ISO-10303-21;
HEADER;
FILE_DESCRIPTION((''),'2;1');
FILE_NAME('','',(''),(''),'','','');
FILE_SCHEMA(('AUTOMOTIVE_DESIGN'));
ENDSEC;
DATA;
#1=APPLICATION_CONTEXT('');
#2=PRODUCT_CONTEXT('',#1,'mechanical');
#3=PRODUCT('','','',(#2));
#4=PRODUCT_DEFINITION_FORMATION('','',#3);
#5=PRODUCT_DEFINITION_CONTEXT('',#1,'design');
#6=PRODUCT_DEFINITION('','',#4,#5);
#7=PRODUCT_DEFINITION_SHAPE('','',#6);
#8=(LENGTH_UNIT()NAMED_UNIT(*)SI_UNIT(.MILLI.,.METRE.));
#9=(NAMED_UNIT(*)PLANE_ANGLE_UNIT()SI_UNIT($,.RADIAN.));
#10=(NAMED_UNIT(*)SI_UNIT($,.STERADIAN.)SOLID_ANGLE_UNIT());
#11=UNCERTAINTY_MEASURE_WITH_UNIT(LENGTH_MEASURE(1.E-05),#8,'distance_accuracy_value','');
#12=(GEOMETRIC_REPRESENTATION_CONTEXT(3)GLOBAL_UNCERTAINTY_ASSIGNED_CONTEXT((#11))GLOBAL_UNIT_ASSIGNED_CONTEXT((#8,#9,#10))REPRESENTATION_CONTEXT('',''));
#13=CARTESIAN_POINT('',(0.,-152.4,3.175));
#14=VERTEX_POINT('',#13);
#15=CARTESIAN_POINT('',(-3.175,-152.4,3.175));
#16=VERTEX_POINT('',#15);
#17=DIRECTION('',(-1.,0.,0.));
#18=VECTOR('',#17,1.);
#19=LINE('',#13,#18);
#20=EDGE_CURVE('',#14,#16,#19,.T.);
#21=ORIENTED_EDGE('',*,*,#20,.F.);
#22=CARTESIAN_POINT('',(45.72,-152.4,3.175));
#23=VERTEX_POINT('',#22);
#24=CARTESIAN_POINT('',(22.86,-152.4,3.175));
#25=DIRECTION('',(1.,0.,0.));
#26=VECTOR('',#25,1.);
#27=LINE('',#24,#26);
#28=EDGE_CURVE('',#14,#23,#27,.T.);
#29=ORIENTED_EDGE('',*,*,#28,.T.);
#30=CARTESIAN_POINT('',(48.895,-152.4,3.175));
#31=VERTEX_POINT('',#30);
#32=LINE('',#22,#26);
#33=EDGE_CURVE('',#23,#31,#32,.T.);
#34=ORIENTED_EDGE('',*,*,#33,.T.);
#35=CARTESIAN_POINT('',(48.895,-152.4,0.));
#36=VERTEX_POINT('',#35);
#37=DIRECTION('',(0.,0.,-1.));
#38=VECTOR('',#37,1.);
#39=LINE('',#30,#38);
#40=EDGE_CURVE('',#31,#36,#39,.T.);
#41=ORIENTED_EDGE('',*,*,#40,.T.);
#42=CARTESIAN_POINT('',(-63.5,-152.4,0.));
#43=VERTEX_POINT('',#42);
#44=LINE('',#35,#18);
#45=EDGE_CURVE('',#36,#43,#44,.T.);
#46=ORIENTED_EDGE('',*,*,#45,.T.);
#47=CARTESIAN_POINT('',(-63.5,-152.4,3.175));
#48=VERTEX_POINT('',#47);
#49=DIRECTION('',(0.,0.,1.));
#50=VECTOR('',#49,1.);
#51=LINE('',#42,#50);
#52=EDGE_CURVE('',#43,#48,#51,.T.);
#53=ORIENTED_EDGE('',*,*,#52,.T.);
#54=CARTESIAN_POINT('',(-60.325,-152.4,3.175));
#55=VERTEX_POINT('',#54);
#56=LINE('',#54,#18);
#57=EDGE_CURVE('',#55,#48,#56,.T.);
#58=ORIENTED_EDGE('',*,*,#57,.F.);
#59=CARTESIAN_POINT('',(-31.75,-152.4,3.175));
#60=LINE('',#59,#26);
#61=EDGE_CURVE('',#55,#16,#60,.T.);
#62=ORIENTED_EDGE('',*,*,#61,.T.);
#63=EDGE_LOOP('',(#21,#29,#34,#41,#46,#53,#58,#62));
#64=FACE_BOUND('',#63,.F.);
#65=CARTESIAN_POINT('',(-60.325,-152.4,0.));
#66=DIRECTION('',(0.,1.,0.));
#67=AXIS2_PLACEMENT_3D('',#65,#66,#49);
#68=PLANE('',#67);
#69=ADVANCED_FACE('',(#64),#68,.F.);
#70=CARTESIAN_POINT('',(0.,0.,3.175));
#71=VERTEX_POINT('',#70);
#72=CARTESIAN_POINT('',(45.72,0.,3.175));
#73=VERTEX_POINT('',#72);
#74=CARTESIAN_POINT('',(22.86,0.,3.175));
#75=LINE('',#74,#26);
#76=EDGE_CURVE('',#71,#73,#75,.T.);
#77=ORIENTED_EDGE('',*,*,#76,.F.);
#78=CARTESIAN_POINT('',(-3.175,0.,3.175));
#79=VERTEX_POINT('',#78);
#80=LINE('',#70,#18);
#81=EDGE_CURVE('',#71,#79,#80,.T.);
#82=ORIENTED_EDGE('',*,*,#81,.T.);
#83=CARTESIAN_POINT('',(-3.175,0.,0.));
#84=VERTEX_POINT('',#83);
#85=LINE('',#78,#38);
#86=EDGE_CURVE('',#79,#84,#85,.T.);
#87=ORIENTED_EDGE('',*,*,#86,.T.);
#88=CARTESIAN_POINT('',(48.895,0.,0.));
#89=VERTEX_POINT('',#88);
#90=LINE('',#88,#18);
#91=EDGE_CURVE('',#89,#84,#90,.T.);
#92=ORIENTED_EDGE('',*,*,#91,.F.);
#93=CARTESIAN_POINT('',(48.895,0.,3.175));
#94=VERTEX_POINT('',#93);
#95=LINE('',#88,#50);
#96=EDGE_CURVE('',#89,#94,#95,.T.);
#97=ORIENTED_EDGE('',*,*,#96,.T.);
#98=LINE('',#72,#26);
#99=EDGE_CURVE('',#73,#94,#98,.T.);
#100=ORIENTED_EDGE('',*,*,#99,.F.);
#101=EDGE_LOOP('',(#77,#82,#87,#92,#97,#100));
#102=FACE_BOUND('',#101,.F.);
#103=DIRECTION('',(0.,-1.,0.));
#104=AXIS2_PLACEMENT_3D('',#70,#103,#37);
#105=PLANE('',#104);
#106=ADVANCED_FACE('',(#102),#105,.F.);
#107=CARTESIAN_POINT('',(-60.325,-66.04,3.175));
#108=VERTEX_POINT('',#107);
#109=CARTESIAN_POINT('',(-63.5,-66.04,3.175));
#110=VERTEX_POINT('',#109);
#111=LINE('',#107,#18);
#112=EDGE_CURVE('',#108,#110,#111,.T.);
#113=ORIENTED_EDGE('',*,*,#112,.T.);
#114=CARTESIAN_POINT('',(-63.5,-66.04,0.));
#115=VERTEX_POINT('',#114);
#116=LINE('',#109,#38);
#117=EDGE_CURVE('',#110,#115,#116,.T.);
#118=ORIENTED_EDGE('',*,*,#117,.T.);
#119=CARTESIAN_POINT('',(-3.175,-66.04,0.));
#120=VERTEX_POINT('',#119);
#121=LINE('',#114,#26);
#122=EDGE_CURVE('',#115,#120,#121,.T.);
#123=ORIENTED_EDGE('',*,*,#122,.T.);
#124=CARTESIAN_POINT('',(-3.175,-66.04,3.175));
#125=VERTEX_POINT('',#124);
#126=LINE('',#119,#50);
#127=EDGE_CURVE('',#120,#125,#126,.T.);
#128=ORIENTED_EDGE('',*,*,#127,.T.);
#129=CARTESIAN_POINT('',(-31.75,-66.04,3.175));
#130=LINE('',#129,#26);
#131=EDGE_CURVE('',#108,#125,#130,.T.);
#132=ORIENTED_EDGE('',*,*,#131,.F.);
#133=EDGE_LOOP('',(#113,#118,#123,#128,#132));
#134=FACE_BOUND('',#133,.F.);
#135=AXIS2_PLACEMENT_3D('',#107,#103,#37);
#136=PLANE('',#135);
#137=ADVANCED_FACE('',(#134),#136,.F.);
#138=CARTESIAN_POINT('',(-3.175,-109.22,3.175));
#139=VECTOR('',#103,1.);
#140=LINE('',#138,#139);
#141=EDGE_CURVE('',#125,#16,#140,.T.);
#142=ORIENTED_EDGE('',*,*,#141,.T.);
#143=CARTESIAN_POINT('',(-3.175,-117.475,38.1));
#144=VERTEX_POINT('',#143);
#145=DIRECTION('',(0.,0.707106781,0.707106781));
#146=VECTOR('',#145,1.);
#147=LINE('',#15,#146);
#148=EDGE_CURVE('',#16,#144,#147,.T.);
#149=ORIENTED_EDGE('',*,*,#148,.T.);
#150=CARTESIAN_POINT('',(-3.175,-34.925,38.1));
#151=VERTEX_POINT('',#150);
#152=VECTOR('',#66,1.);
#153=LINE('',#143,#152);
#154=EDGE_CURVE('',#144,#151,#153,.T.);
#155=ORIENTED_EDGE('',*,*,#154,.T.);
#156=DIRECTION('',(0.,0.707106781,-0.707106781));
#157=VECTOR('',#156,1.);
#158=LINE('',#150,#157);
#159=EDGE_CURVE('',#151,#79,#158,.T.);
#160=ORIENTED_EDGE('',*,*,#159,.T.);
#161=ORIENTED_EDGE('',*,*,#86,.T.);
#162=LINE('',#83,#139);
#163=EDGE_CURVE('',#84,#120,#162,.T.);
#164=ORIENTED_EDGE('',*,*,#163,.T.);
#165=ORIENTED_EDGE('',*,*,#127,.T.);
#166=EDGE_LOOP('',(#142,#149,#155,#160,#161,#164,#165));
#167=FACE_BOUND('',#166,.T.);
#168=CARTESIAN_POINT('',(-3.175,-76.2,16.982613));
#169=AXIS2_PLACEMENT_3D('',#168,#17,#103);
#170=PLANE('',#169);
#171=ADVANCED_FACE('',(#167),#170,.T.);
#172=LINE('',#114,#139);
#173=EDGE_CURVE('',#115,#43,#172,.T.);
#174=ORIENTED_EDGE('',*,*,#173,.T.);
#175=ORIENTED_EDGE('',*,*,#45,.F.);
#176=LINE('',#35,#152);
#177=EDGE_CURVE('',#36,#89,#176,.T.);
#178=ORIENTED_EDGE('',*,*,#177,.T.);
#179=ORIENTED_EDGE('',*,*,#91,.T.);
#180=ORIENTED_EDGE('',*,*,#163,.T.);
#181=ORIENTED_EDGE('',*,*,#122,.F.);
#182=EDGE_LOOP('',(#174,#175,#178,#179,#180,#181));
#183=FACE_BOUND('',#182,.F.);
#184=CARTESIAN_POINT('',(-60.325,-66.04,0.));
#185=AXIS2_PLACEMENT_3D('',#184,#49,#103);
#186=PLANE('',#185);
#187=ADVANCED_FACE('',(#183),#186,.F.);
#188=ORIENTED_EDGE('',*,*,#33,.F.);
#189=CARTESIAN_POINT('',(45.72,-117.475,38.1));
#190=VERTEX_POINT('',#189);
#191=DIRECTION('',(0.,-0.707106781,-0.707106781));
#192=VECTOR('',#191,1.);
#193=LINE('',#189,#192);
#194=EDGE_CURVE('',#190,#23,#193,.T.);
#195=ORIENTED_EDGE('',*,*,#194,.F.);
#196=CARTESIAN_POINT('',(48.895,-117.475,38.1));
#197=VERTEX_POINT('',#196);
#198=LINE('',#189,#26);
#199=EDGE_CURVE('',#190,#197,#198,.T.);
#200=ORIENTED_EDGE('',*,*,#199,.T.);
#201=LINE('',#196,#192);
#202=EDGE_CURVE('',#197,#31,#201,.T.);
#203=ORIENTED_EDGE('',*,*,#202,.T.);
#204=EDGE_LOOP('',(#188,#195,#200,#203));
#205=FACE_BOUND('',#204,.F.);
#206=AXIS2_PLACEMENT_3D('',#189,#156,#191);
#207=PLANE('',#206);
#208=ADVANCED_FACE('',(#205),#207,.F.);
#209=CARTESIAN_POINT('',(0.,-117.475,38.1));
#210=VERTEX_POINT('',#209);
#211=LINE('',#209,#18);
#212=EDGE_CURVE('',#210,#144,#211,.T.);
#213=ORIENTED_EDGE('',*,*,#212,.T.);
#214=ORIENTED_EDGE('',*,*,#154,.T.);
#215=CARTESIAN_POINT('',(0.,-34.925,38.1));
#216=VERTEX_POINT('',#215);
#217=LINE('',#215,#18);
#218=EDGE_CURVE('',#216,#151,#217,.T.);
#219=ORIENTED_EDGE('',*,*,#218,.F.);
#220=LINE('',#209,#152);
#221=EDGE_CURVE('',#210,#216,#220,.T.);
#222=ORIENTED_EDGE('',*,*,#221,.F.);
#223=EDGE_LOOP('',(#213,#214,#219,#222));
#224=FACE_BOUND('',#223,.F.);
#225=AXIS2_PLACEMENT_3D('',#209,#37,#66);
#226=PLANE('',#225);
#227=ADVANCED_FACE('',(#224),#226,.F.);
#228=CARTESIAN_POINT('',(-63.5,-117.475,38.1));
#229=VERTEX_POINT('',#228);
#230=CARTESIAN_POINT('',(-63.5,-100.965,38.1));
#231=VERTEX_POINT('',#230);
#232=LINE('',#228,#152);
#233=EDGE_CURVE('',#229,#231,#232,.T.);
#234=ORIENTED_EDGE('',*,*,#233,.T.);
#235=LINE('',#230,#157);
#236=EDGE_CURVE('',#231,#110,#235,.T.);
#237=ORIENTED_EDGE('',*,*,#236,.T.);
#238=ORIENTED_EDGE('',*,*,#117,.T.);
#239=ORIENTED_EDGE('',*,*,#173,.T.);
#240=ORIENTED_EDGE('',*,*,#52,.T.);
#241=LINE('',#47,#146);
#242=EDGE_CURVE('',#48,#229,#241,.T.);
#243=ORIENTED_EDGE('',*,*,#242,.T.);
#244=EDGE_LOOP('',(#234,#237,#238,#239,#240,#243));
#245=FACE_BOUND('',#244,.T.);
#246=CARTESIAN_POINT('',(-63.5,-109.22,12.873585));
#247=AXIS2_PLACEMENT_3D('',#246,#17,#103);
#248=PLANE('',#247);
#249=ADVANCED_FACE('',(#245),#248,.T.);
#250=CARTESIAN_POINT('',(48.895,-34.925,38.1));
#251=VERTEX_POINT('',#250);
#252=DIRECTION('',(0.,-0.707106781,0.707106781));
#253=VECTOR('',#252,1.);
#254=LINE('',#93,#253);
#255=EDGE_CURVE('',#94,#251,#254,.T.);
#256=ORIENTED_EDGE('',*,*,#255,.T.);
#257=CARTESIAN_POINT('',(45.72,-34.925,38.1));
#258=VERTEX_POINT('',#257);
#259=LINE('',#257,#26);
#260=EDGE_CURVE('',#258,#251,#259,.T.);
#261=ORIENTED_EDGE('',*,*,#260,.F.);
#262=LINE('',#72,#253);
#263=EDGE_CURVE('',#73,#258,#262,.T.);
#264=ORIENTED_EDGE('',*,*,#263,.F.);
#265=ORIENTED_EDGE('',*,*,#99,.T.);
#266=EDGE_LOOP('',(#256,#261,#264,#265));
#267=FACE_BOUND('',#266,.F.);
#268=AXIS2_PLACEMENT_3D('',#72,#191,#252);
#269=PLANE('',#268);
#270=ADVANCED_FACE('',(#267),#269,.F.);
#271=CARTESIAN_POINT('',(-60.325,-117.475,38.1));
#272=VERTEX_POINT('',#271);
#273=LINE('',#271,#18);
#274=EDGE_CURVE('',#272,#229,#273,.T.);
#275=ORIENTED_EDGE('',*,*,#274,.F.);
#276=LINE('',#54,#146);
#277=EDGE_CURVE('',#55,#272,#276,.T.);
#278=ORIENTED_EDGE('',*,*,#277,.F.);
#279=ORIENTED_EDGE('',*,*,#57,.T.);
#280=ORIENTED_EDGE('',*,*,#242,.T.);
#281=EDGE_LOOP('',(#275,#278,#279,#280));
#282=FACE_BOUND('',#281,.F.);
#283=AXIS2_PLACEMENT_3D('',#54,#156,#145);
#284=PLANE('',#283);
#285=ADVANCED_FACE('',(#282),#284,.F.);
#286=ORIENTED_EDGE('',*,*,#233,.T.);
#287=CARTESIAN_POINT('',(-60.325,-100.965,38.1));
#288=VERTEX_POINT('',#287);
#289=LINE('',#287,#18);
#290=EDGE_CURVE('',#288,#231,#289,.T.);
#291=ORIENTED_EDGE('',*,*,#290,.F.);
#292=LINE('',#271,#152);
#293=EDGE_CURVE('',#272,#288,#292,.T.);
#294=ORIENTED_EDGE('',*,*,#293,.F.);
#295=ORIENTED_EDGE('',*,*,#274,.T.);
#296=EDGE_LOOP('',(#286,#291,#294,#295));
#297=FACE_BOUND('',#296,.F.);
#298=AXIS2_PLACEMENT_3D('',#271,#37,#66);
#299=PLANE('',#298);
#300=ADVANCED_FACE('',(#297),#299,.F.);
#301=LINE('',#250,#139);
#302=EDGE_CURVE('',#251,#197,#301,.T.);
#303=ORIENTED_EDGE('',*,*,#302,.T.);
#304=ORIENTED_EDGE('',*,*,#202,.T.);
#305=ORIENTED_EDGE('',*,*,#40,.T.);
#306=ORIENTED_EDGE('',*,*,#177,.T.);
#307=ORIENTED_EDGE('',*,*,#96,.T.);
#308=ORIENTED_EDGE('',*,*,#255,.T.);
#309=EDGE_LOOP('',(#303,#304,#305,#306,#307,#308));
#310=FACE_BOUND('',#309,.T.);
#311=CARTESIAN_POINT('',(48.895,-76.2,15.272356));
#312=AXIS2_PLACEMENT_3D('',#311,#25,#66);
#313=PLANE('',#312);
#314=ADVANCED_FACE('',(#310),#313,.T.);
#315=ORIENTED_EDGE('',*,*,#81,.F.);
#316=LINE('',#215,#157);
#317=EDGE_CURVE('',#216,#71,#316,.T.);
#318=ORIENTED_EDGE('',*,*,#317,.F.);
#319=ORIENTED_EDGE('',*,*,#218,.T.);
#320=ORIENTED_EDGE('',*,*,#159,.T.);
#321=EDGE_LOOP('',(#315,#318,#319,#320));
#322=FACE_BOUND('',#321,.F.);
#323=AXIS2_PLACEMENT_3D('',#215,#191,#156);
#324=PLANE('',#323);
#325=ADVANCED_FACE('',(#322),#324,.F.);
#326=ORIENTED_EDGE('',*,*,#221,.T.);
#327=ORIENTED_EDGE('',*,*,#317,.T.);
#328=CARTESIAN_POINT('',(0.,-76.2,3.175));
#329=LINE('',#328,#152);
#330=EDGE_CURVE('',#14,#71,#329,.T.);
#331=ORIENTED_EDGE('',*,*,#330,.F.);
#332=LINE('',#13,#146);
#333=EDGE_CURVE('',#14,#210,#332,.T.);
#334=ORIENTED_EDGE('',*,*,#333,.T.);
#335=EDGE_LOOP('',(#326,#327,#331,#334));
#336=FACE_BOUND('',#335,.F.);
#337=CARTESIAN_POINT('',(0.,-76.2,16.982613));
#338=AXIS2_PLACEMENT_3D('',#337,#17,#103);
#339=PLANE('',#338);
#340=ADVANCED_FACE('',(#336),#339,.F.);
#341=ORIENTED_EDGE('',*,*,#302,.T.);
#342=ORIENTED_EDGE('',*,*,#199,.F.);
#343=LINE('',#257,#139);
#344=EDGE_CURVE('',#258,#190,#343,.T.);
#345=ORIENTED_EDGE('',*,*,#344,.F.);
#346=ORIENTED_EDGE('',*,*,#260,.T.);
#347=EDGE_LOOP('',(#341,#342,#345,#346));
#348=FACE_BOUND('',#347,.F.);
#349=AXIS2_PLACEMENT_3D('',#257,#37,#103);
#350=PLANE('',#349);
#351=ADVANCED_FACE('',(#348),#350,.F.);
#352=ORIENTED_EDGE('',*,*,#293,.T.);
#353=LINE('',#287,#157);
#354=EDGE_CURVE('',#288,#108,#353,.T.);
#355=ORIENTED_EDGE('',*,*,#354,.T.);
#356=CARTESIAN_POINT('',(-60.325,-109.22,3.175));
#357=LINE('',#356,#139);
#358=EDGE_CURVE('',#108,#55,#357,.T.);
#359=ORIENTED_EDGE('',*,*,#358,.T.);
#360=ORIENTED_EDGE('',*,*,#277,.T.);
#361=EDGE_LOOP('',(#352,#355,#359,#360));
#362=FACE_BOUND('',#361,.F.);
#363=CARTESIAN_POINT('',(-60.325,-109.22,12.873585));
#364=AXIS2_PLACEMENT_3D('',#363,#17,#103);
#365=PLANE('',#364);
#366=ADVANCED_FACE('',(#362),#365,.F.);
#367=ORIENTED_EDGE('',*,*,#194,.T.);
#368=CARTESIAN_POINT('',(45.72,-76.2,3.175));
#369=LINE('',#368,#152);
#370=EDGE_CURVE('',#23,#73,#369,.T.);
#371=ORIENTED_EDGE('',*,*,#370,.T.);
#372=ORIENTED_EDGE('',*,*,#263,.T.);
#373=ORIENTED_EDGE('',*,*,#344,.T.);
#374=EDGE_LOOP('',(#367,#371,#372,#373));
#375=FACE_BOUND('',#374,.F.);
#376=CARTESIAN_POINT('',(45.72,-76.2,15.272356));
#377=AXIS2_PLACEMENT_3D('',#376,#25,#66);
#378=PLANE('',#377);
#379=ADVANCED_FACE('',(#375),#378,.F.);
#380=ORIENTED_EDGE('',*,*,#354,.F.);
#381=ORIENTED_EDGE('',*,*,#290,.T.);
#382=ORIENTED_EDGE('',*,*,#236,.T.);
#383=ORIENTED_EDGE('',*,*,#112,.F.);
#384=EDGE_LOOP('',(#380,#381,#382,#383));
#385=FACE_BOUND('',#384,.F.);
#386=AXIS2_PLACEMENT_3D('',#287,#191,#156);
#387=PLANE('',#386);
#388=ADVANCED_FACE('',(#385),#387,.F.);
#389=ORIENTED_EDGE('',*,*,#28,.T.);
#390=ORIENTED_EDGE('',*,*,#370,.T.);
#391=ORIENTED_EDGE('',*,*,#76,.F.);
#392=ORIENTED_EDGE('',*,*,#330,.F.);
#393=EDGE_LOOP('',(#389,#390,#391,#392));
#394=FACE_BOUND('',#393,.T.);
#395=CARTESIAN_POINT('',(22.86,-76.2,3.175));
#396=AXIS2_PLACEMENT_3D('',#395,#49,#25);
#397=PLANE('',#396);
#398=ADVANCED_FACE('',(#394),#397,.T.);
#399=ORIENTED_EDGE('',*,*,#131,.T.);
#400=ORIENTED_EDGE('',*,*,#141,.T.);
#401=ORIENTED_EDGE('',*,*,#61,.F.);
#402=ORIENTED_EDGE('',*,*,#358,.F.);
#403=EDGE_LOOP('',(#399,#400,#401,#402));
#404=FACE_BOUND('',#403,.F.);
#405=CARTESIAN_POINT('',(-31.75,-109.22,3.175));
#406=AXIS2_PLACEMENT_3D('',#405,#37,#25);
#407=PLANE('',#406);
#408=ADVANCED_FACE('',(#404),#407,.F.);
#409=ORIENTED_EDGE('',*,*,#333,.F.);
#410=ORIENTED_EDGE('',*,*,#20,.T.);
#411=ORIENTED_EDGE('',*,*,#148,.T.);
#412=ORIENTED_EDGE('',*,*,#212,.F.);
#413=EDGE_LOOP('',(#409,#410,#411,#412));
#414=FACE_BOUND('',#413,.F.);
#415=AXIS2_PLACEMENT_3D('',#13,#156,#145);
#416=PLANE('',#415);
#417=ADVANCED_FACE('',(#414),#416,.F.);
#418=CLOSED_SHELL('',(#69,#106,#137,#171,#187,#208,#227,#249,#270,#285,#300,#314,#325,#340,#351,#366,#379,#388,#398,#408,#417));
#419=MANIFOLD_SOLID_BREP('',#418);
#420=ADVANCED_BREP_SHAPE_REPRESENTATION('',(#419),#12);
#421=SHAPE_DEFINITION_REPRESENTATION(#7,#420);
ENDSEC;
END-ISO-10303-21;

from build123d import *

# Parameters (mm, degrees)
F0_W     = 45.72
F0_H     = 152.4
F1_DEPTH = 3.175
F3_DEPTH = 3.175
F5_DEPTH = 3.175
F6_W     = 57.15
F6_H     = 86.36
F7_DEPTH = 3.175
F9_DEPTH = 3.175


with BuildPart() as f1:
    # F0 (on Top) → F1 (new body)
    with BuildSketch(Plane.XY):
        with Locations((22.86, -76.2)):
            Rectangle(F0_W, F0_H)
    extrude(amount=F1_DEPTH)

    # F2 (on face) → F3 (join)
    with BuildSketch(Plane.YZ.offset(45.72)):
        Polygon((-152.4, 3.175), (-152.4, 0), (0, 0), (0, 3.175), (-34.925, 38.1), (-117.475, 38.1), align=None)
    extrude(amount=F3_DEPTH)

    # F4 (on face) → F5 (join)
    with BuildSketch(Plane(origin=(0, 0, 0), x_dir=(0, -1, 0), z_dir=(-1, 0, 0))):
        Polygon((34.925, 38.1), (0, 3.175), (152.4, 3.175), (117.475, 38.1), align=None)
        Polygon((0, 3.175), (0, 0), (152.4, 0), (152.4, 3.175), (117.475, 38.1), (34.925, 38.1), align=None)
    extrude(amount=F5_DEPTH)

    # F6 (on face) → F7 (join)
    with BuildSketch(Plane(origin=(0, 0, 0), x_dir=(1, 0, 0), z_dir=(0, 0, -1))):
        with Locations((-31.75, 109.22)):
            Rectangle(F6_W, F6_H)
    extrude(amount=-F7_DEPTH)

    # F8 (on face) → F9 (join)
    with BuildSketch(Plane(origin=(-60.325, 0, 0), x_dir=(0, -1, 0), z_dir=(-1, 0, 0))):
        Polygon((66.04, 0), (152.4, 0), (152.4, 3.175), (117.475, 38.1), (100.965, 38.1), (66.04, 3.175), align=None)
    extrude(amount=F9_DEPTH)


solid = f1.part
